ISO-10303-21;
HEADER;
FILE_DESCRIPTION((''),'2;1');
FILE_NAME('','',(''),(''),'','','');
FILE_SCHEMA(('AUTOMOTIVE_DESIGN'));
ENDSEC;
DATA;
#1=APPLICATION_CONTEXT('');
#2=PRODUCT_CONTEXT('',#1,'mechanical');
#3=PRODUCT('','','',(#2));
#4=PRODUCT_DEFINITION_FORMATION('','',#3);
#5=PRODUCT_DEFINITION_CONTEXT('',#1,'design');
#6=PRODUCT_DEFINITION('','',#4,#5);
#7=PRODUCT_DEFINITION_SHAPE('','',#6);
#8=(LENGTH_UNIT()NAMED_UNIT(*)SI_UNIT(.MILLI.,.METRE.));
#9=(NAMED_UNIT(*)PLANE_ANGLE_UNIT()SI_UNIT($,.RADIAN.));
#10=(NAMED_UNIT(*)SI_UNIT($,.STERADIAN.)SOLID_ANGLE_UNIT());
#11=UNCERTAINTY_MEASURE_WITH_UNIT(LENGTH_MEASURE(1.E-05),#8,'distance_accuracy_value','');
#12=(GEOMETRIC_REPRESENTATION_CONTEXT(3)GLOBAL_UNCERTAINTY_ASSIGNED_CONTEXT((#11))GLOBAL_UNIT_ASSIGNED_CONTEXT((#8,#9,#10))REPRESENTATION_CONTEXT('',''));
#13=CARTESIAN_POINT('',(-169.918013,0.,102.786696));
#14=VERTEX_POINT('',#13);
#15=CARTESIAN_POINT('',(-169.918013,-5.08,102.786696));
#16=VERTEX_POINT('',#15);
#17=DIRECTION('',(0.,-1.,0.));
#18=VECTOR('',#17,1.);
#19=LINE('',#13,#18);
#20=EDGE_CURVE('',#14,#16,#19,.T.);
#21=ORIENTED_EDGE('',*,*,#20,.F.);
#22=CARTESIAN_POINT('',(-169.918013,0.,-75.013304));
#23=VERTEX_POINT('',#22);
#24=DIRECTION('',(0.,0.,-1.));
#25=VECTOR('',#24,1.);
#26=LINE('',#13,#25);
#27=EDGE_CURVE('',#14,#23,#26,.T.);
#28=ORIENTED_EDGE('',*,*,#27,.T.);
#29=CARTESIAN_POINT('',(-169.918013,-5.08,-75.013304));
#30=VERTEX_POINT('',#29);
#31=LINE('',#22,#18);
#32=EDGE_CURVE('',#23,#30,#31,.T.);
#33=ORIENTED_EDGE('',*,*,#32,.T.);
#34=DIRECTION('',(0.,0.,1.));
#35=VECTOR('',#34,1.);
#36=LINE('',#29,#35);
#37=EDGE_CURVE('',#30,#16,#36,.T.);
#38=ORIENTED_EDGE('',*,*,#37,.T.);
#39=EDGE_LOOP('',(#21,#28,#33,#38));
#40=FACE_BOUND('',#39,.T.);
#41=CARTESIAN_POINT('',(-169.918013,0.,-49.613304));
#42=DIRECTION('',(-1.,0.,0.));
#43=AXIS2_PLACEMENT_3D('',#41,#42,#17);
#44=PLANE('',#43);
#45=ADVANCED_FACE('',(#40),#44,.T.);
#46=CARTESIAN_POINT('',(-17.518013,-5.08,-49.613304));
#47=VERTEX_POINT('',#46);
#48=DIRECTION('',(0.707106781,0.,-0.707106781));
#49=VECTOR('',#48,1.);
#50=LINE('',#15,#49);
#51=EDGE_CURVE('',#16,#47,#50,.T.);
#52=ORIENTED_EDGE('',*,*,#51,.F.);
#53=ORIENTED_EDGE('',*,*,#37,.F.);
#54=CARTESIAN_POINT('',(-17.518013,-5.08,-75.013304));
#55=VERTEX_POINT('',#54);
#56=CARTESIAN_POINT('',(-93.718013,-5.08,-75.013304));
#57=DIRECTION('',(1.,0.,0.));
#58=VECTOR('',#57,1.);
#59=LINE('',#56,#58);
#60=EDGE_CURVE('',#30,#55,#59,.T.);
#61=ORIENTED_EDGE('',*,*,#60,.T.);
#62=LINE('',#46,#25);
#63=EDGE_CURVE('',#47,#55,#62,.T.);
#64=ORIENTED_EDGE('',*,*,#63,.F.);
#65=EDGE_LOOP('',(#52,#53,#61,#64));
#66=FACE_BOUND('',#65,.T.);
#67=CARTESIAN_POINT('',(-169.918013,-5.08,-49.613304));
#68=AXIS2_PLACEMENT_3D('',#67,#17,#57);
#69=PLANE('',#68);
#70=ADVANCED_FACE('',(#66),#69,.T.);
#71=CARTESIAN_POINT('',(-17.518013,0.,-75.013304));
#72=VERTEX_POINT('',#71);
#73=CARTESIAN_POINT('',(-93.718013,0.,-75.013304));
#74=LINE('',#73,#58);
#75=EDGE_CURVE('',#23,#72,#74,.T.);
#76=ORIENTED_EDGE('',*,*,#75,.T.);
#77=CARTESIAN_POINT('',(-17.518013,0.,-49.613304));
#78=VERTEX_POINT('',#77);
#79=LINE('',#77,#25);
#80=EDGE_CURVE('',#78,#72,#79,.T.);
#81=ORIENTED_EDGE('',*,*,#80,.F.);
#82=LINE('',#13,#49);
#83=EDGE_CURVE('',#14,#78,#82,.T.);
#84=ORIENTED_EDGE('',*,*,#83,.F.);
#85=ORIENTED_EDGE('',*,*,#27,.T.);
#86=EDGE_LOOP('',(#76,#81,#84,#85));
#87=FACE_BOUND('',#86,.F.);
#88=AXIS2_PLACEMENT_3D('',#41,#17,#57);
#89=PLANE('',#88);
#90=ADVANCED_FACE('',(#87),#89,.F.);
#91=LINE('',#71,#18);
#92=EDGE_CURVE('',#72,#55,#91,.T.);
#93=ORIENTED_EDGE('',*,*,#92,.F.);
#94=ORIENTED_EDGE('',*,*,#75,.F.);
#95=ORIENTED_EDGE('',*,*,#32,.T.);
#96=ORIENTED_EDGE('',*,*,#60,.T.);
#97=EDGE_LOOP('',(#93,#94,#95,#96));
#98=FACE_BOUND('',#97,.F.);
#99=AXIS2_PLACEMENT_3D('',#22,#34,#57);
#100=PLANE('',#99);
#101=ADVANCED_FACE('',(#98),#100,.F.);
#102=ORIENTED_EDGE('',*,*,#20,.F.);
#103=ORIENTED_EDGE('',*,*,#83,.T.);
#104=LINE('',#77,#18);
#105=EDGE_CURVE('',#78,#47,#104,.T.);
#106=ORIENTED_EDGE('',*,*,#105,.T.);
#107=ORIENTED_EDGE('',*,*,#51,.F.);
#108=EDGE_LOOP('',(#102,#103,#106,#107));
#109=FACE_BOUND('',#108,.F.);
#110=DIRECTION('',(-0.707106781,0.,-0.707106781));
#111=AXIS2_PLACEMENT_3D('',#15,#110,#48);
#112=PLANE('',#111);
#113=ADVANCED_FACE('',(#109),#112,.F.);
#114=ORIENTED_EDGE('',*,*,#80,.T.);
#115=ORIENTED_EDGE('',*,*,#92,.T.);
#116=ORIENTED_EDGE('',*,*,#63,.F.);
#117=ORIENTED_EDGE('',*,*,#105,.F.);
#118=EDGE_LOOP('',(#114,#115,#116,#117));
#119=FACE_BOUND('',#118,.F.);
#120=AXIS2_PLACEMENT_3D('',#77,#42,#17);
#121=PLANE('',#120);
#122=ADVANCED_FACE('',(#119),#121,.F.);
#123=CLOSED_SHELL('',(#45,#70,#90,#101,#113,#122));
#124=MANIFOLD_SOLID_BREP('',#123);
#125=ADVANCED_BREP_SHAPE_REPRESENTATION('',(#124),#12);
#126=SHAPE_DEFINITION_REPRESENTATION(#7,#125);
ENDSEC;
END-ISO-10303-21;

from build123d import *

# Parameters (mm, degrees)
F0_W     = 152.4
F0_H     = 152.4
F1_DEPTH = 5.08
F3_DEPTH = 5.08
F4_DEPTH = 25.4


with BuildPart() as f1:
    # F0 (on Front) → F1 (new body)
    with BuildSketch(Plane.XZ):
        with Locations((-93.7180127949, 26.5866962026)):
            Rectangle(F0_W, F0_H)
    extrude(amount=F1_DEPTH)

    # F2 (on face) → F3 (cut)
    with BuildSketch(Plane.XZ.offset(5.08)):
        Polygon((-17.5180127949, 102.7866962026), (-169.9180127949, 102.7866962026), (-17.5180127949, -49.6133037974), align=None)
    extrude(amount=-F3_DEPTH, mode=Mode.SUBTRACT)

    # F4 (add): a face of the model
    f4_faces = [f1.faces().sort_by_distance(p)[0] for p in [
        (-93.7180127949, -2.54, -49.6133037974),
    ]]
    extrude(f4_faces, amount=F4_DEPTH)


solid = f1.part
